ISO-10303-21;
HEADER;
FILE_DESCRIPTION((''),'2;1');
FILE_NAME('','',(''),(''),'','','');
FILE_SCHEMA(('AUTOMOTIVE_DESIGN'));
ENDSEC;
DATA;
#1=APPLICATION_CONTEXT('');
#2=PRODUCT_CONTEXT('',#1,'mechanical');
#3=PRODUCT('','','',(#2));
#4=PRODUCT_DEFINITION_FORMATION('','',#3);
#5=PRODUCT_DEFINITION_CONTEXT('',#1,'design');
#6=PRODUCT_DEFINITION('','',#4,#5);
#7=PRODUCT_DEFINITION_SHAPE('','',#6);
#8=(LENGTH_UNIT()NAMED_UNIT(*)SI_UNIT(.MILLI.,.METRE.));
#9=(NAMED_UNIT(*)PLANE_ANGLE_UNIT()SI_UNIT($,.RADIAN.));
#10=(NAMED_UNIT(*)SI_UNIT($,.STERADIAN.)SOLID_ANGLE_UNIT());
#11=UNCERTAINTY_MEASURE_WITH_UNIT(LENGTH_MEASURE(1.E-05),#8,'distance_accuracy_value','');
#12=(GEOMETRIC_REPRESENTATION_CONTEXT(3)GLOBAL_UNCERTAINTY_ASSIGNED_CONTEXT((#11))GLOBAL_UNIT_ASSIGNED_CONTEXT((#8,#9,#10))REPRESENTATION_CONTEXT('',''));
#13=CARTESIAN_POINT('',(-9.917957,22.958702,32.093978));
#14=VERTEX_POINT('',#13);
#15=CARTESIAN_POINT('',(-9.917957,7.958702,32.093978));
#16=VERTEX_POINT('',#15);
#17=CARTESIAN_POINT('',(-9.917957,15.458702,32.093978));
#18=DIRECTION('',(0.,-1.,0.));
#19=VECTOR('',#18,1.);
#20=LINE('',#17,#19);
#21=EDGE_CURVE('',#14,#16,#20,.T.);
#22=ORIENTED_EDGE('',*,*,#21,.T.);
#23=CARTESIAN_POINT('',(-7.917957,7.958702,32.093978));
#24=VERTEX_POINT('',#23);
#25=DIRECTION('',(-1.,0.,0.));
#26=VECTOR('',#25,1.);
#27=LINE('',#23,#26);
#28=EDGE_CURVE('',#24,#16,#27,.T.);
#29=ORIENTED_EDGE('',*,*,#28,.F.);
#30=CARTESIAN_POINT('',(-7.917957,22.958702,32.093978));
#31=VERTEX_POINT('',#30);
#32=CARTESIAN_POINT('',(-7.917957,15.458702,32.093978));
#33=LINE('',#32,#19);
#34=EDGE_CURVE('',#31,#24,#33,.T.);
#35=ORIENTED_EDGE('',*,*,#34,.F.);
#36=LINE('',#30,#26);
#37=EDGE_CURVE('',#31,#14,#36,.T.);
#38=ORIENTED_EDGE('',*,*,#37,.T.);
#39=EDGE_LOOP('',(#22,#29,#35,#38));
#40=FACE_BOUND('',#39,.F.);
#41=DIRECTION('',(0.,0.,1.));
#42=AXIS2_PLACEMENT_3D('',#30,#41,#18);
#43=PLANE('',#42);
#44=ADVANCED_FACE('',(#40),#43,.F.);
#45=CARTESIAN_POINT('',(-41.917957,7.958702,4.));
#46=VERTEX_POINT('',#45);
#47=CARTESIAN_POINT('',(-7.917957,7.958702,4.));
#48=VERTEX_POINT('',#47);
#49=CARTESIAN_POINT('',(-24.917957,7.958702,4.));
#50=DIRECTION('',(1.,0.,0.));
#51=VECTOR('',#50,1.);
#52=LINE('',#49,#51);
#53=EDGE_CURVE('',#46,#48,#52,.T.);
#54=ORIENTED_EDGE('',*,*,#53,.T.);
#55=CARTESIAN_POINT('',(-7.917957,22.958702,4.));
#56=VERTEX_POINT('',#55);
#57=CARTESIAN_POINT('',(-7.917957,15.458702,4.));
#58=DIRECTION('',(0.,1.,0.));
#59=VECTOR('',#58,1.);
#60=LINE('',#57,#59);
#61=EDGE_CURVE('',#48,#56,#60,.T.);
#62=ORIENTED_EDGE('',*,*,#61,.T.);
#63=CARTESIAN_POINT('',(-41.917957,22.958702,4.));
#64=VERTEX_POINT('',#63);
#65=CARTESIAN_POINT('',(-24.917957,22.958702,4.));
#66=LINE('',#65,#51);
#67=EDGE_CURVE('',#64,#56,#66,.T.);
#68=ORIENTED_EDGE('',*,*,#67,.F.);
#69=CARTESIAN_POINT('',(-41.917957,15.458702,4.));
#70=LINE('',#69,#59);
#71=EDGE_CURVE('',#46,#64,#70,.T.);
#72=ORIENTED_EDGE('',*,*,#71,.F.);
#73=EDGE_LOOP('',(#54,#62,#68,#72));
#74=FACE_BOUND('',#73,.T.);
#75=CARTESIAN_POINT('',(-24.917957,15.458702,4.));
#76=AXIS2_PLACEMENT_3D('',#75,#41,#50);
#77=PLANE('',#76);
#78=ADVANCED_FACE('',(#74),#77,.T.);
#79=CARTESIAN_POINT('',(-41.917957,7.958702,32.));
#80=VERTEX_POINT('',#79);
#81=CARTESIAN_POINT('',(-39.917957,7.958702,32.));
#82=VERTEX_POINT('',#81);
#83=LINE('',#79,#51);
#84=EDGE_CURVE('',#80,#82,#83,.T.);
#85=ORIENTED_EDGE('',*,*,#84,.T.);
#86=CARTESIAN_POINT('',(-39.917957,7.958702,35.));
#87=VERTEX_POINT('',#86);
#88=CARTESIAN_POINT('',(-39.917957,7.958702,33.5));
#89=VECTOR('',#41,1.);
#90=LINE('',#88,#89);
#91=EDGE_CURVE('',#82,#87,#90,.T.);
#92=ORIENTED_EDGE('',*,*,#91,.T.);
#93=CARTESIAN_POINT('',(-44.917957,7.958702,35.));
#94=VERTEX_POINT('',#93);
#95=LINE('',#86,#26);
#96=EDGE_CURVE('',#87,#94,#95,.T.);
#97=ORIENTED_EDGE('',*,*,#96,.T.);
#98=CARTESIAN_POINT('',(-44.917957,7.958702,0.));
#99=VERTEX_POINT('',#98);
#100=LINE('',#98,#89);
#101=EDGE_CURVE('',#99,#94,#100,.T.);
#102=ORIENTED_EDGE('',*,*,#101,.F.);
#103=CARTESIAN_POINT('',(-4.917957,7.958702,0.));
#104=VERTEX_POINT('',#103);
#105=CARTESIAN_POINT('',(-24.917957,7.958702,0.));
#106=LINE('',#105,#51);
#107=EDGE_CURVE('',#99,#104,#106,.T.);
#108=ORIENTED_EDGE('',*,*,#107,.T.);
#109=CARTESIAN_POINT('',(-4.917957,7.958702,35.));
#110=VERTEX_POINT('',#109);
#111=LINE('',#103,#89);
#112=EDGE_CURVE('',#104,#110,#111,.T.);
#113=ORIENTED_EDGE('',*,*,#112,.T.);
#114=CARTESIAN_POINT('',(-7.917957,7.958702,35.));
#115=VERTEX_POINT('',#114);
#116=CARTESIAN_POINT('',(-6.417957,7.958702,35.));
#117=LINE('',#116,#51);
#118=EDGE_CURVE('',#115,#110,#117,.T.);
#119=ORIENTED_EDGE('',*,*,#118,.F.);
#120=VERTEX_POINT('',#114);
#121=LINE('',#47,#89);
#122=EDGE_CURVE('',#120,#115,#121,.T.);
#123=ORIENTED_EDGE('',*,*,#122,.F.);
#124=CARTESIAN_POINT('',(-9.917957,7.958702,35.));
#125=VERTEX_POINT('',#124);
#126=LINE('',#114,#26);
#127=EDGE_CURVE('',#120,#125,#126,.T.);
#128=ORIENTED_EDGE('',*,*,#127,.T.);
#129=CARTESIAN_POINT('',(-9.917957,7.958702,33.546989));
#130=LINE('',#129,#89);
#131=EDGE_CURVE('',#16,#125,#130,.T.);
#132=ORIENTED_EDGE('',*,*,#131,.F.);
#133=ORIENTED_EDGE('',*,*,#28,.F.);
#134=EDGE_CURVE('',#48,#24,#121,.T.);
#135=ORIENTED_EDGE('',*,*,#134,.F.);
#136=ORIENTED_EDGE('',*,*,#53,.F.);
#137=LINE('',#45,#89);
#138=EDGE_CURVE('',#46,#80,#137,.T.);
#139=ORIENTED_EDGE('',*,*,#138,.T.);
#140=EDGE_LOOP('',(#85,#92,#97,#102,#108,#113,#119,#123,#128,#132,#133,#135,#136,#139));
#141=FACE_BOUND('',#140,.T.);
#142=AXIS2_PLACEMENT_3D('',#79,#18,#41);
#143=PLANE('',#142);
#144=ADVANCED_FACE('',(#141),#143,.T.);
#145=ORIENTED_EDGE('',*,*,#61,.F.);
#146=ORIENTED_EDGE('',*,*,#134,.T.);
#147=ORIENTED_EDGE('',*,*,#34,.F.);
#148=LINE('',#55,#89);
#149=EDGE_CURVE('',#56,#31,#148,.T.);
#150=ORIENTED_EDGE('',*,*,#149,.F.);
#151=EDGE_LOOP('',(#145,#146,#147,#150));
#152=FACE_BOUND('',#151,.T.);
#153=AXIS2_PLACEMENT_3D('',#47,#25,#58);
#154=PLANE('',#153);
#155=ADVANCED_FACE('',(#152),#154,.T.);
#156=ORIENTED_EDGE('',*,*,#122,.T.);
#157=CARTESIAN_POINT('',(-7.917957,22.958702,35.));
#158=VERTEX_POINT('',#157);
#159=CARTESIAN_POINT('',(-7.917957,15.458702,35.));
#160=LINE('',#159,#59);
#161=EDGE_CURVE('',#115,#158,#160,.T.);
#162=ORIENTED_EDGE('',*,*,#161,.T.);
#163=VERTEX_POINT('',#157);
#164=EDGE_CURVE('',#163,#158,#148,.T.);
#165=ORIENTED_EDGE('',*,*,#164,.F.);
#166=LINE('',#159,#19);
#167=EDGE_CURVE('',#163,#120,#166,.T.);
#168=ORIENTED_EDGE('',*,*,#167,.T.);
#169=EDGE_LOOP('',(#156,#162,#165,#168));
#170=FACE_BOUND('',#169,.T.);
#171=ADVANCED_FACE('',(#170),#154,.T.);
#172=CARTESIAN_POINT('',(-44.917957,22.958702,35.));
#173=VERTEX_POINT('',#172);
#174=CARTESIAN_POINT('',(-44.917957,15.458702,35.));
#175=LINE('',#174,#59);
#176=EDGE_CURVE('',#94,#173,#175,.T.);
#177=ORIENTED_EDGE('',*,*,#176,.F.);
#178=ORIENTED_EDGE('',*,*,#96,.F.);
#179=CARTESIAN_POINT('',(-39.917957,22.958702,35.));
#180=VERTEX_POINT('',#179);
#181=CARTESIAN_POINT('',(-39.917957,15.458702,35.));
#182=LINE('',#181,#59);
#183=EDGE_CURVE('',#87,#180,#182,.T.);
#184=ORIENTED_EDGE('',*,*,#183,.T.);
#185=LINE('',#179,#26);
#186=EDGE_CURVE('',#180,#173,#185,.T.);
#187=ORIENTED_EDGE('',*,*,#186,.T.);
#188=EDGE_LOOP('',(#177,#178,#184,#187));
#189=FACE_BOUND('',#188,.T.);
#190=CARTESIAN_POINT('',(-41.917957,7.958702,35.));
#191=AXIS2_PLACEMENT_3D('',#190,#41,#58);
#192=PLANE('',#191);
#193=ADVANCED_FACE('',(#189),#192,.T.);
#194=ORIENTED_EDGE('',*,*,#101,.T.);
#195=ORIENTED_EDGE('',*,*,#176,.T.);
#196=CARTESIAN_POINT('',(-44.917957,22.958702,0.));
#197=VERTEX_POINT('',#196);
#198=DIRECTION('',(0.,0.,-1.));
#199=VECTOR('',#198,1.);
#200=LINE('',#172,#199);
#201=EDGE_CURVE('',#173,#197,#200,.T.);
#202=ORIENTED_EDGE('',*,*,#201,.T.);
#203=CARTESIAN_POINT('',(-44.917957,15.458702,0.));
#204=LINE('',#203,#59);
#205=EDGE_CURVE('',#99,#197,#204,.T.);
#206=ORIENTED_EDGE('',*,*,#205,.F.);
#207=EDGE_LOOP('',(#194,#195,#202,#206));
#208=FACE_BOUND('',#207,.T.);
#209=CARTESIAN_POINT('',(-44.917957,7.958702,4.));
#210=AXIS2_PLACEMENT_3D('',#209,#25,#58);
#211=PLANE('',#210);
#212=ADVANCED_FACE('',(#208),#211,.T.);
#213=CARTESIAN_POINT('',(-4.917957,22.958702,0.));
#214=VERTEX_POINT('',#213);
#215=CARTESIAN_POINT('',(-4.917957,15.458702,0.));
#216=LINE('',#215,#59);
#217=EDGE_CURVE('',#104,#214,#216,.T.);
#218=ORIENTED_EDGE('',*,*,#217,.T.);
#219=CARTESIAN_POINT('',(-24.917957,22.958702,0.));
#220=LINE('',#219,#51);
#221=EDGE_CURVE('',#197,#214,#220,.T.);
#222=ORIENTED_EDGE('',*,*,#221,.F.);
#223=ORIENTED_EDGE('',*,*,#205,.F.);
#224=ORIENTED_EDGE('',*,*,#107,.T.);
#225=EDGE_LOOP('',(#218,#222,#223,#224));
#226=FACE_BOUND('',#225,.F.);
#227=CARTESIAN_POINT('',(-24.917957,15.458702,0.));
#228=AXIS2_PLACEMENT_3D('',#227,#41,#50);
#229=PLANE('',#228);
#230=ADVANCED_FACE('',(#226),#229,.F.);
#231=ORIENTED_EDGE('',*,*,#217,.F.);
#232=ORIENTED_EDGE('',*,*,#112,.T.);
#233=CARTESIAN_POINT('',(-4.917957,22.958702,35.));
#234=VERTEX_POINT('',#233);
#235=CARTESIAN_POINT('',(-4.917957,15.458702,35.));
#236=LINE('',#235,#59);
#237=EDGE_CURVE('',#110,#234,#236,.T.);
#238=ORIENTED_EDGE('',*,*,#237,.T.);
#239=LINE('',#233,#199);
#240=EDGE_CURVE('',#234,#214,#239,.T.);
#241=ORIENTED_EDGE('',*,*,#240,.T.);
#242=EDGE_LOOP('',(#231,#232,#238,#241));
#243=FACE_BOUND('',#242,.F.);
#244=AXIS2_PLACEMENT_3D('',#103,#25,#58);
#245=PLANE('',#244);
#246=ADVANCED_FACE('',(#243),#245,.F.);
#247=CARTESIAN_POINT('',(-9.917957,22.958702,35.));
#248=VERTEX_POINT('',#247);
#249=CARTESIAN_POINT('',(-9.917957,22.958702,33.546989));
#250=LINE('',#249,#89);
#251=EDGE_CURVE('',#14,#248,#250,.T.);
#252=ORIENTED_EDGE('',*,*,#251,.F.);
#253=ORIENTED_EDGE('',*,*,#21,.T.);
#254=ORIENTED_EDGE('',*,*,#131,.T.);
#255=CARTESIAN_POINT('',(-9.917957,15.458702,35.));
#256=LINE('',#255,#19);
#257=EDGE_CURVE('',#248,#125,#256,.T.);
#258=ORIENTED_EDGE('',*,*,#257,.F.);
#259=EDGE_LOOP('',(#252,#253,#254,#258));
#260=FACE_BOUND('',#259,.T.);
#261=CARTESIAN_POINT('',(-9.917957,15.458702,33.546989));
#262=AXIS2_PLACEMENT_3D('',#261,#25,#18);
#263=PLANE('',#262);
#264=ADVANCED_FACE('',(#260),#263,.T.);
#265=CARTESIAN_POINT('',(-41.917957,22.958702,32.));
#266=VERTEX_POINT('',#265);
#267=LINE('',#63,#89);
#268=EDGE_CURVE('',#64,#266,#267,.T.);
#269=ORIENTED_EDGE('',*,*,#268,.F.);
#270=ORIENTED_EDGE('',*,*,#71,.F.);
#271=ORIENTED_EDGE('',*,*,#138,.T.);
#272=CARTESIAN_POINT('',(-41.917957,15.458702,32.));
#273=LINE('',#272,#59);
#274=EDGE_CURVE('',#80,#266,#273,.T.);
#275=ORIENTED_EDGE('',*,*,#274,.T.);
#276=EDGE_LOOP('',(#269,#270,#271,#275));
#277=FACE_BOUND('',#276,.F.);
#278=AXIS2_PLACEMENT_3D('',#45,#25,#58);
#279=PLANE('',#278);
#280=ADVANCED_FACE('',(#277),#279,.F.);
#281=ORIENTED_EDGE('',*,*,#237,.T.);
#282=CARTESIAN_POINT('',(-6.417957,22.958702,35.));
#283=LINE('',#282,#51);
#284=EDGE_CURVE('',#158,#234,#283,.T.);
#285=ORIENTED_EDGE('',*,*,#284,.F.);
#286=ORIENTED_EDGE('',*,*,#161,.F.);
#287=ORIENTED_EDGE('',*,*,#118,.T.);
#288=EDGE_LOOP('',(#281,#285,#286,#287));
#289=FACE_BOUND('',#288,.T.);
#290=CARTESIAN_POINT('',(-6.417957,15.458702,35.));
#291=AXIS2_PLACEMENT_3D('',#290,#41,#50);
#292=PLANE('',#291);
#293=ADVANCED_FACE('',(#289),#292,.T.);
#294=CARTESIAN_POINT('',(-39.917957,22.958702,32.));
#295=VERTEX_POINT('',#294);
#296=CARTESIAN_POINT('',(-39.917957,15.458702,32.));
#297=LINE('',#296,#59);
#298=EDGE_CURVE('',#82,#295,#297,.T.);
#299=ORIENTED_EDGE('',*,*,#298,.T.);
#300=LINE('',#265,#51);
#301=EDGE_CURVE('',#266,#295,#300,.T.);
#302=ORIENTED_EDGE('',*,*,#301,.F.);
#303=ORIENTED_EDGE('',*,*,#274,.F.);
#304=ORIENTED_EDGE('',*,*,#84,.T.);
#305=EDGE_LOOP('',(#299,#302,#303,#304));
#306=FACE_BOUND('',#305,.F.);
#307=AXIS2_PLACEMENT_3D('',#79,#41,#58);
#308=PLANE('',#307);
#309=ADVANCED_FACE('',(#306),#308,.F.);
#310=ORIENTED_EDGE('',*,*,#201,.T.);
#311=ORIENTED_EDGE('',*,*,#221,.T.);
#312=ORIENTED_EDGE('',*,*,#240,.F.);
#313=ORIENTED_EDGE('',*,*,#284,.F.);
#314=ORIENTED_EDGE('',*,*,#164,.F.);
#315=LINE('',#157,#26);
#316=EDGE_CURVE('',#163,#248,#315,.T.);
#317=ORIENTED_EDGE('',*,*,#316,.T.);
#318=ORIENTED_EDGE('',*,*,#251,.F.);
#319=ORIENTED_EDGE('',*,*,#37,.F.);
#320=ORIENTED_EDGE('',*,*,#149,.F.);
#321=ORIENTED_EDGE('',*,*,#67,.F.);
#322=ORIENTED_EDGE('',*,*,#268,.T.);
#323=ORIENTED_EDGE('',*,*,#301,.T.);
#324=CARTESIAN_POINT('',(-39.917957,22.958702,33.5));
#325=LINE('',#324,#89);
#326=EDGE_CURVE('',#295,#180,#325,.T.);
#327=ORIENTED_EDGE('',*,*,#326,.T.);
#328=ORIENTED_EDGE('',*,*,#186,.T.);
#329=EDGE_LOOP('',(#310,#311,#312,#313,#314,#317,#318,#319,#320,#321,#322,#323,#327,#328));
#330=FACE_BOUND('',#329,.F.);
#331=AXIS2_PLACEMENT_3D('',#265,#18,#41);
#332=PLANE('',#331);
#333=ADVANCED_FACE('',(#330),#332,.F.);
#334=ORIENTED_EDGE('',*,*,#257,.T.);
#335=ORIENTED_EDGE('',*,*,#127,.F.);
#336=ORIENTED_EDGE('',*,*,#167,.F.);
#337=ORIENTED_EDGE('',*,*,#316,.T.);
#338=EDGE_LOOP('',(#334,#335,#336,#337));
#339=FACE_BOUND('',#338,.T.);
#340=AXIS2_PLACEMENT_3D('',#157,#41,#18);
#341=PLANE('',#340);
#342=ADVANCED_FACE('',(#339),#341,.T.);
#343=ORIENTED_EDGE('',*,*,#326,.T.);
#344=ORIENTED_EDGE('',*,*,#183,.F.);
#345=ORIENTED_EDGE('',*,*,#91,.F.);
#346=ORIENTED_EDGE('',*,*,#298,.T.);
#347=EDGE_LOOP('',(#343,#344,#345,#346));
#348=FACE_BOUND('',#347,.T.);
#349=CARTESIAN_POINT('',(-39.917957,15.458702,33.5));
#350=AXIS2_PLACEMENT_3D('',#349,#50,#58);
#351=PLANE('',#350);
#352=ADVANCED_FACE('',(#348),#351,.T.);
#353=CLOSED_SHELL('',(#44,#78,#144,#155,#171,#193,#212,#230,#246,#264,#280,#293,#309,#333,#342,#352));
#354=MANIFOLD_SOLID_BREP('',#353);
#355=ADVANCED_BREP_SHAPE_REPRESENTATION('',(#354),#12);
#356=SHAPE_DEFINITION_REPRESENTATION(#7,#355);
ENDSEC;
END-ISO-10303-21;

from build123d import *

# Parameters (mm, degrees)
F0_W     = 40
F0_H     = 15
F1_DEPTH = 4
F2_W     = 3
F2_H     = 15
F3_DEPTH = 31
F4_W     = 15
F4_H     = 3
F5_DEPTH = 2
F6_W     = 15
F6_H     = 2.906021
F7_DEPTH = 2


with BuildPart() as f1:
    # F0 (on Top) → F1 (new body)
    with BuildSketch(Plane.XY):
        with Locations((-24.917957, 15.458702)):
            Rectangle(F0_W, F0_H)
    extrude(amount=F1_DEPTH)

    # F2 (on face) → F3 (join)
    with BuildSketch(Plane.XY.offset(4)):
        with Locations((-43.417957, 15.458702)):
            Rectangle(F2_W, F2_H)
        with Locations((-6.417957, 15.458702)):
            Rectangle(F2_W, F2_H)
    extrude(amount=F3_DEPTH)

    # F4 (on face) → F5 (join)
    with BuildSketch(Plane.YZ.offset(-41.917957)):
        with Locations((15.458702, 33.5)):
            Rectangle(F4_W, F4_H)
    extrude(amount=F5_DEPTH)

    # F6 (on face) → F7 (join)
    with BuildSketch(Plane(origin=(-7.917957, 0, 0), x_dir=(0, -1, 0), z_dir=(-1, 0, 0))):
        with Locations((-15.458702, 33.546989)):
            Rectangle(F6_W, F6_H)
    extrude(amount=F7_DEPTH)


solid = f1.part
